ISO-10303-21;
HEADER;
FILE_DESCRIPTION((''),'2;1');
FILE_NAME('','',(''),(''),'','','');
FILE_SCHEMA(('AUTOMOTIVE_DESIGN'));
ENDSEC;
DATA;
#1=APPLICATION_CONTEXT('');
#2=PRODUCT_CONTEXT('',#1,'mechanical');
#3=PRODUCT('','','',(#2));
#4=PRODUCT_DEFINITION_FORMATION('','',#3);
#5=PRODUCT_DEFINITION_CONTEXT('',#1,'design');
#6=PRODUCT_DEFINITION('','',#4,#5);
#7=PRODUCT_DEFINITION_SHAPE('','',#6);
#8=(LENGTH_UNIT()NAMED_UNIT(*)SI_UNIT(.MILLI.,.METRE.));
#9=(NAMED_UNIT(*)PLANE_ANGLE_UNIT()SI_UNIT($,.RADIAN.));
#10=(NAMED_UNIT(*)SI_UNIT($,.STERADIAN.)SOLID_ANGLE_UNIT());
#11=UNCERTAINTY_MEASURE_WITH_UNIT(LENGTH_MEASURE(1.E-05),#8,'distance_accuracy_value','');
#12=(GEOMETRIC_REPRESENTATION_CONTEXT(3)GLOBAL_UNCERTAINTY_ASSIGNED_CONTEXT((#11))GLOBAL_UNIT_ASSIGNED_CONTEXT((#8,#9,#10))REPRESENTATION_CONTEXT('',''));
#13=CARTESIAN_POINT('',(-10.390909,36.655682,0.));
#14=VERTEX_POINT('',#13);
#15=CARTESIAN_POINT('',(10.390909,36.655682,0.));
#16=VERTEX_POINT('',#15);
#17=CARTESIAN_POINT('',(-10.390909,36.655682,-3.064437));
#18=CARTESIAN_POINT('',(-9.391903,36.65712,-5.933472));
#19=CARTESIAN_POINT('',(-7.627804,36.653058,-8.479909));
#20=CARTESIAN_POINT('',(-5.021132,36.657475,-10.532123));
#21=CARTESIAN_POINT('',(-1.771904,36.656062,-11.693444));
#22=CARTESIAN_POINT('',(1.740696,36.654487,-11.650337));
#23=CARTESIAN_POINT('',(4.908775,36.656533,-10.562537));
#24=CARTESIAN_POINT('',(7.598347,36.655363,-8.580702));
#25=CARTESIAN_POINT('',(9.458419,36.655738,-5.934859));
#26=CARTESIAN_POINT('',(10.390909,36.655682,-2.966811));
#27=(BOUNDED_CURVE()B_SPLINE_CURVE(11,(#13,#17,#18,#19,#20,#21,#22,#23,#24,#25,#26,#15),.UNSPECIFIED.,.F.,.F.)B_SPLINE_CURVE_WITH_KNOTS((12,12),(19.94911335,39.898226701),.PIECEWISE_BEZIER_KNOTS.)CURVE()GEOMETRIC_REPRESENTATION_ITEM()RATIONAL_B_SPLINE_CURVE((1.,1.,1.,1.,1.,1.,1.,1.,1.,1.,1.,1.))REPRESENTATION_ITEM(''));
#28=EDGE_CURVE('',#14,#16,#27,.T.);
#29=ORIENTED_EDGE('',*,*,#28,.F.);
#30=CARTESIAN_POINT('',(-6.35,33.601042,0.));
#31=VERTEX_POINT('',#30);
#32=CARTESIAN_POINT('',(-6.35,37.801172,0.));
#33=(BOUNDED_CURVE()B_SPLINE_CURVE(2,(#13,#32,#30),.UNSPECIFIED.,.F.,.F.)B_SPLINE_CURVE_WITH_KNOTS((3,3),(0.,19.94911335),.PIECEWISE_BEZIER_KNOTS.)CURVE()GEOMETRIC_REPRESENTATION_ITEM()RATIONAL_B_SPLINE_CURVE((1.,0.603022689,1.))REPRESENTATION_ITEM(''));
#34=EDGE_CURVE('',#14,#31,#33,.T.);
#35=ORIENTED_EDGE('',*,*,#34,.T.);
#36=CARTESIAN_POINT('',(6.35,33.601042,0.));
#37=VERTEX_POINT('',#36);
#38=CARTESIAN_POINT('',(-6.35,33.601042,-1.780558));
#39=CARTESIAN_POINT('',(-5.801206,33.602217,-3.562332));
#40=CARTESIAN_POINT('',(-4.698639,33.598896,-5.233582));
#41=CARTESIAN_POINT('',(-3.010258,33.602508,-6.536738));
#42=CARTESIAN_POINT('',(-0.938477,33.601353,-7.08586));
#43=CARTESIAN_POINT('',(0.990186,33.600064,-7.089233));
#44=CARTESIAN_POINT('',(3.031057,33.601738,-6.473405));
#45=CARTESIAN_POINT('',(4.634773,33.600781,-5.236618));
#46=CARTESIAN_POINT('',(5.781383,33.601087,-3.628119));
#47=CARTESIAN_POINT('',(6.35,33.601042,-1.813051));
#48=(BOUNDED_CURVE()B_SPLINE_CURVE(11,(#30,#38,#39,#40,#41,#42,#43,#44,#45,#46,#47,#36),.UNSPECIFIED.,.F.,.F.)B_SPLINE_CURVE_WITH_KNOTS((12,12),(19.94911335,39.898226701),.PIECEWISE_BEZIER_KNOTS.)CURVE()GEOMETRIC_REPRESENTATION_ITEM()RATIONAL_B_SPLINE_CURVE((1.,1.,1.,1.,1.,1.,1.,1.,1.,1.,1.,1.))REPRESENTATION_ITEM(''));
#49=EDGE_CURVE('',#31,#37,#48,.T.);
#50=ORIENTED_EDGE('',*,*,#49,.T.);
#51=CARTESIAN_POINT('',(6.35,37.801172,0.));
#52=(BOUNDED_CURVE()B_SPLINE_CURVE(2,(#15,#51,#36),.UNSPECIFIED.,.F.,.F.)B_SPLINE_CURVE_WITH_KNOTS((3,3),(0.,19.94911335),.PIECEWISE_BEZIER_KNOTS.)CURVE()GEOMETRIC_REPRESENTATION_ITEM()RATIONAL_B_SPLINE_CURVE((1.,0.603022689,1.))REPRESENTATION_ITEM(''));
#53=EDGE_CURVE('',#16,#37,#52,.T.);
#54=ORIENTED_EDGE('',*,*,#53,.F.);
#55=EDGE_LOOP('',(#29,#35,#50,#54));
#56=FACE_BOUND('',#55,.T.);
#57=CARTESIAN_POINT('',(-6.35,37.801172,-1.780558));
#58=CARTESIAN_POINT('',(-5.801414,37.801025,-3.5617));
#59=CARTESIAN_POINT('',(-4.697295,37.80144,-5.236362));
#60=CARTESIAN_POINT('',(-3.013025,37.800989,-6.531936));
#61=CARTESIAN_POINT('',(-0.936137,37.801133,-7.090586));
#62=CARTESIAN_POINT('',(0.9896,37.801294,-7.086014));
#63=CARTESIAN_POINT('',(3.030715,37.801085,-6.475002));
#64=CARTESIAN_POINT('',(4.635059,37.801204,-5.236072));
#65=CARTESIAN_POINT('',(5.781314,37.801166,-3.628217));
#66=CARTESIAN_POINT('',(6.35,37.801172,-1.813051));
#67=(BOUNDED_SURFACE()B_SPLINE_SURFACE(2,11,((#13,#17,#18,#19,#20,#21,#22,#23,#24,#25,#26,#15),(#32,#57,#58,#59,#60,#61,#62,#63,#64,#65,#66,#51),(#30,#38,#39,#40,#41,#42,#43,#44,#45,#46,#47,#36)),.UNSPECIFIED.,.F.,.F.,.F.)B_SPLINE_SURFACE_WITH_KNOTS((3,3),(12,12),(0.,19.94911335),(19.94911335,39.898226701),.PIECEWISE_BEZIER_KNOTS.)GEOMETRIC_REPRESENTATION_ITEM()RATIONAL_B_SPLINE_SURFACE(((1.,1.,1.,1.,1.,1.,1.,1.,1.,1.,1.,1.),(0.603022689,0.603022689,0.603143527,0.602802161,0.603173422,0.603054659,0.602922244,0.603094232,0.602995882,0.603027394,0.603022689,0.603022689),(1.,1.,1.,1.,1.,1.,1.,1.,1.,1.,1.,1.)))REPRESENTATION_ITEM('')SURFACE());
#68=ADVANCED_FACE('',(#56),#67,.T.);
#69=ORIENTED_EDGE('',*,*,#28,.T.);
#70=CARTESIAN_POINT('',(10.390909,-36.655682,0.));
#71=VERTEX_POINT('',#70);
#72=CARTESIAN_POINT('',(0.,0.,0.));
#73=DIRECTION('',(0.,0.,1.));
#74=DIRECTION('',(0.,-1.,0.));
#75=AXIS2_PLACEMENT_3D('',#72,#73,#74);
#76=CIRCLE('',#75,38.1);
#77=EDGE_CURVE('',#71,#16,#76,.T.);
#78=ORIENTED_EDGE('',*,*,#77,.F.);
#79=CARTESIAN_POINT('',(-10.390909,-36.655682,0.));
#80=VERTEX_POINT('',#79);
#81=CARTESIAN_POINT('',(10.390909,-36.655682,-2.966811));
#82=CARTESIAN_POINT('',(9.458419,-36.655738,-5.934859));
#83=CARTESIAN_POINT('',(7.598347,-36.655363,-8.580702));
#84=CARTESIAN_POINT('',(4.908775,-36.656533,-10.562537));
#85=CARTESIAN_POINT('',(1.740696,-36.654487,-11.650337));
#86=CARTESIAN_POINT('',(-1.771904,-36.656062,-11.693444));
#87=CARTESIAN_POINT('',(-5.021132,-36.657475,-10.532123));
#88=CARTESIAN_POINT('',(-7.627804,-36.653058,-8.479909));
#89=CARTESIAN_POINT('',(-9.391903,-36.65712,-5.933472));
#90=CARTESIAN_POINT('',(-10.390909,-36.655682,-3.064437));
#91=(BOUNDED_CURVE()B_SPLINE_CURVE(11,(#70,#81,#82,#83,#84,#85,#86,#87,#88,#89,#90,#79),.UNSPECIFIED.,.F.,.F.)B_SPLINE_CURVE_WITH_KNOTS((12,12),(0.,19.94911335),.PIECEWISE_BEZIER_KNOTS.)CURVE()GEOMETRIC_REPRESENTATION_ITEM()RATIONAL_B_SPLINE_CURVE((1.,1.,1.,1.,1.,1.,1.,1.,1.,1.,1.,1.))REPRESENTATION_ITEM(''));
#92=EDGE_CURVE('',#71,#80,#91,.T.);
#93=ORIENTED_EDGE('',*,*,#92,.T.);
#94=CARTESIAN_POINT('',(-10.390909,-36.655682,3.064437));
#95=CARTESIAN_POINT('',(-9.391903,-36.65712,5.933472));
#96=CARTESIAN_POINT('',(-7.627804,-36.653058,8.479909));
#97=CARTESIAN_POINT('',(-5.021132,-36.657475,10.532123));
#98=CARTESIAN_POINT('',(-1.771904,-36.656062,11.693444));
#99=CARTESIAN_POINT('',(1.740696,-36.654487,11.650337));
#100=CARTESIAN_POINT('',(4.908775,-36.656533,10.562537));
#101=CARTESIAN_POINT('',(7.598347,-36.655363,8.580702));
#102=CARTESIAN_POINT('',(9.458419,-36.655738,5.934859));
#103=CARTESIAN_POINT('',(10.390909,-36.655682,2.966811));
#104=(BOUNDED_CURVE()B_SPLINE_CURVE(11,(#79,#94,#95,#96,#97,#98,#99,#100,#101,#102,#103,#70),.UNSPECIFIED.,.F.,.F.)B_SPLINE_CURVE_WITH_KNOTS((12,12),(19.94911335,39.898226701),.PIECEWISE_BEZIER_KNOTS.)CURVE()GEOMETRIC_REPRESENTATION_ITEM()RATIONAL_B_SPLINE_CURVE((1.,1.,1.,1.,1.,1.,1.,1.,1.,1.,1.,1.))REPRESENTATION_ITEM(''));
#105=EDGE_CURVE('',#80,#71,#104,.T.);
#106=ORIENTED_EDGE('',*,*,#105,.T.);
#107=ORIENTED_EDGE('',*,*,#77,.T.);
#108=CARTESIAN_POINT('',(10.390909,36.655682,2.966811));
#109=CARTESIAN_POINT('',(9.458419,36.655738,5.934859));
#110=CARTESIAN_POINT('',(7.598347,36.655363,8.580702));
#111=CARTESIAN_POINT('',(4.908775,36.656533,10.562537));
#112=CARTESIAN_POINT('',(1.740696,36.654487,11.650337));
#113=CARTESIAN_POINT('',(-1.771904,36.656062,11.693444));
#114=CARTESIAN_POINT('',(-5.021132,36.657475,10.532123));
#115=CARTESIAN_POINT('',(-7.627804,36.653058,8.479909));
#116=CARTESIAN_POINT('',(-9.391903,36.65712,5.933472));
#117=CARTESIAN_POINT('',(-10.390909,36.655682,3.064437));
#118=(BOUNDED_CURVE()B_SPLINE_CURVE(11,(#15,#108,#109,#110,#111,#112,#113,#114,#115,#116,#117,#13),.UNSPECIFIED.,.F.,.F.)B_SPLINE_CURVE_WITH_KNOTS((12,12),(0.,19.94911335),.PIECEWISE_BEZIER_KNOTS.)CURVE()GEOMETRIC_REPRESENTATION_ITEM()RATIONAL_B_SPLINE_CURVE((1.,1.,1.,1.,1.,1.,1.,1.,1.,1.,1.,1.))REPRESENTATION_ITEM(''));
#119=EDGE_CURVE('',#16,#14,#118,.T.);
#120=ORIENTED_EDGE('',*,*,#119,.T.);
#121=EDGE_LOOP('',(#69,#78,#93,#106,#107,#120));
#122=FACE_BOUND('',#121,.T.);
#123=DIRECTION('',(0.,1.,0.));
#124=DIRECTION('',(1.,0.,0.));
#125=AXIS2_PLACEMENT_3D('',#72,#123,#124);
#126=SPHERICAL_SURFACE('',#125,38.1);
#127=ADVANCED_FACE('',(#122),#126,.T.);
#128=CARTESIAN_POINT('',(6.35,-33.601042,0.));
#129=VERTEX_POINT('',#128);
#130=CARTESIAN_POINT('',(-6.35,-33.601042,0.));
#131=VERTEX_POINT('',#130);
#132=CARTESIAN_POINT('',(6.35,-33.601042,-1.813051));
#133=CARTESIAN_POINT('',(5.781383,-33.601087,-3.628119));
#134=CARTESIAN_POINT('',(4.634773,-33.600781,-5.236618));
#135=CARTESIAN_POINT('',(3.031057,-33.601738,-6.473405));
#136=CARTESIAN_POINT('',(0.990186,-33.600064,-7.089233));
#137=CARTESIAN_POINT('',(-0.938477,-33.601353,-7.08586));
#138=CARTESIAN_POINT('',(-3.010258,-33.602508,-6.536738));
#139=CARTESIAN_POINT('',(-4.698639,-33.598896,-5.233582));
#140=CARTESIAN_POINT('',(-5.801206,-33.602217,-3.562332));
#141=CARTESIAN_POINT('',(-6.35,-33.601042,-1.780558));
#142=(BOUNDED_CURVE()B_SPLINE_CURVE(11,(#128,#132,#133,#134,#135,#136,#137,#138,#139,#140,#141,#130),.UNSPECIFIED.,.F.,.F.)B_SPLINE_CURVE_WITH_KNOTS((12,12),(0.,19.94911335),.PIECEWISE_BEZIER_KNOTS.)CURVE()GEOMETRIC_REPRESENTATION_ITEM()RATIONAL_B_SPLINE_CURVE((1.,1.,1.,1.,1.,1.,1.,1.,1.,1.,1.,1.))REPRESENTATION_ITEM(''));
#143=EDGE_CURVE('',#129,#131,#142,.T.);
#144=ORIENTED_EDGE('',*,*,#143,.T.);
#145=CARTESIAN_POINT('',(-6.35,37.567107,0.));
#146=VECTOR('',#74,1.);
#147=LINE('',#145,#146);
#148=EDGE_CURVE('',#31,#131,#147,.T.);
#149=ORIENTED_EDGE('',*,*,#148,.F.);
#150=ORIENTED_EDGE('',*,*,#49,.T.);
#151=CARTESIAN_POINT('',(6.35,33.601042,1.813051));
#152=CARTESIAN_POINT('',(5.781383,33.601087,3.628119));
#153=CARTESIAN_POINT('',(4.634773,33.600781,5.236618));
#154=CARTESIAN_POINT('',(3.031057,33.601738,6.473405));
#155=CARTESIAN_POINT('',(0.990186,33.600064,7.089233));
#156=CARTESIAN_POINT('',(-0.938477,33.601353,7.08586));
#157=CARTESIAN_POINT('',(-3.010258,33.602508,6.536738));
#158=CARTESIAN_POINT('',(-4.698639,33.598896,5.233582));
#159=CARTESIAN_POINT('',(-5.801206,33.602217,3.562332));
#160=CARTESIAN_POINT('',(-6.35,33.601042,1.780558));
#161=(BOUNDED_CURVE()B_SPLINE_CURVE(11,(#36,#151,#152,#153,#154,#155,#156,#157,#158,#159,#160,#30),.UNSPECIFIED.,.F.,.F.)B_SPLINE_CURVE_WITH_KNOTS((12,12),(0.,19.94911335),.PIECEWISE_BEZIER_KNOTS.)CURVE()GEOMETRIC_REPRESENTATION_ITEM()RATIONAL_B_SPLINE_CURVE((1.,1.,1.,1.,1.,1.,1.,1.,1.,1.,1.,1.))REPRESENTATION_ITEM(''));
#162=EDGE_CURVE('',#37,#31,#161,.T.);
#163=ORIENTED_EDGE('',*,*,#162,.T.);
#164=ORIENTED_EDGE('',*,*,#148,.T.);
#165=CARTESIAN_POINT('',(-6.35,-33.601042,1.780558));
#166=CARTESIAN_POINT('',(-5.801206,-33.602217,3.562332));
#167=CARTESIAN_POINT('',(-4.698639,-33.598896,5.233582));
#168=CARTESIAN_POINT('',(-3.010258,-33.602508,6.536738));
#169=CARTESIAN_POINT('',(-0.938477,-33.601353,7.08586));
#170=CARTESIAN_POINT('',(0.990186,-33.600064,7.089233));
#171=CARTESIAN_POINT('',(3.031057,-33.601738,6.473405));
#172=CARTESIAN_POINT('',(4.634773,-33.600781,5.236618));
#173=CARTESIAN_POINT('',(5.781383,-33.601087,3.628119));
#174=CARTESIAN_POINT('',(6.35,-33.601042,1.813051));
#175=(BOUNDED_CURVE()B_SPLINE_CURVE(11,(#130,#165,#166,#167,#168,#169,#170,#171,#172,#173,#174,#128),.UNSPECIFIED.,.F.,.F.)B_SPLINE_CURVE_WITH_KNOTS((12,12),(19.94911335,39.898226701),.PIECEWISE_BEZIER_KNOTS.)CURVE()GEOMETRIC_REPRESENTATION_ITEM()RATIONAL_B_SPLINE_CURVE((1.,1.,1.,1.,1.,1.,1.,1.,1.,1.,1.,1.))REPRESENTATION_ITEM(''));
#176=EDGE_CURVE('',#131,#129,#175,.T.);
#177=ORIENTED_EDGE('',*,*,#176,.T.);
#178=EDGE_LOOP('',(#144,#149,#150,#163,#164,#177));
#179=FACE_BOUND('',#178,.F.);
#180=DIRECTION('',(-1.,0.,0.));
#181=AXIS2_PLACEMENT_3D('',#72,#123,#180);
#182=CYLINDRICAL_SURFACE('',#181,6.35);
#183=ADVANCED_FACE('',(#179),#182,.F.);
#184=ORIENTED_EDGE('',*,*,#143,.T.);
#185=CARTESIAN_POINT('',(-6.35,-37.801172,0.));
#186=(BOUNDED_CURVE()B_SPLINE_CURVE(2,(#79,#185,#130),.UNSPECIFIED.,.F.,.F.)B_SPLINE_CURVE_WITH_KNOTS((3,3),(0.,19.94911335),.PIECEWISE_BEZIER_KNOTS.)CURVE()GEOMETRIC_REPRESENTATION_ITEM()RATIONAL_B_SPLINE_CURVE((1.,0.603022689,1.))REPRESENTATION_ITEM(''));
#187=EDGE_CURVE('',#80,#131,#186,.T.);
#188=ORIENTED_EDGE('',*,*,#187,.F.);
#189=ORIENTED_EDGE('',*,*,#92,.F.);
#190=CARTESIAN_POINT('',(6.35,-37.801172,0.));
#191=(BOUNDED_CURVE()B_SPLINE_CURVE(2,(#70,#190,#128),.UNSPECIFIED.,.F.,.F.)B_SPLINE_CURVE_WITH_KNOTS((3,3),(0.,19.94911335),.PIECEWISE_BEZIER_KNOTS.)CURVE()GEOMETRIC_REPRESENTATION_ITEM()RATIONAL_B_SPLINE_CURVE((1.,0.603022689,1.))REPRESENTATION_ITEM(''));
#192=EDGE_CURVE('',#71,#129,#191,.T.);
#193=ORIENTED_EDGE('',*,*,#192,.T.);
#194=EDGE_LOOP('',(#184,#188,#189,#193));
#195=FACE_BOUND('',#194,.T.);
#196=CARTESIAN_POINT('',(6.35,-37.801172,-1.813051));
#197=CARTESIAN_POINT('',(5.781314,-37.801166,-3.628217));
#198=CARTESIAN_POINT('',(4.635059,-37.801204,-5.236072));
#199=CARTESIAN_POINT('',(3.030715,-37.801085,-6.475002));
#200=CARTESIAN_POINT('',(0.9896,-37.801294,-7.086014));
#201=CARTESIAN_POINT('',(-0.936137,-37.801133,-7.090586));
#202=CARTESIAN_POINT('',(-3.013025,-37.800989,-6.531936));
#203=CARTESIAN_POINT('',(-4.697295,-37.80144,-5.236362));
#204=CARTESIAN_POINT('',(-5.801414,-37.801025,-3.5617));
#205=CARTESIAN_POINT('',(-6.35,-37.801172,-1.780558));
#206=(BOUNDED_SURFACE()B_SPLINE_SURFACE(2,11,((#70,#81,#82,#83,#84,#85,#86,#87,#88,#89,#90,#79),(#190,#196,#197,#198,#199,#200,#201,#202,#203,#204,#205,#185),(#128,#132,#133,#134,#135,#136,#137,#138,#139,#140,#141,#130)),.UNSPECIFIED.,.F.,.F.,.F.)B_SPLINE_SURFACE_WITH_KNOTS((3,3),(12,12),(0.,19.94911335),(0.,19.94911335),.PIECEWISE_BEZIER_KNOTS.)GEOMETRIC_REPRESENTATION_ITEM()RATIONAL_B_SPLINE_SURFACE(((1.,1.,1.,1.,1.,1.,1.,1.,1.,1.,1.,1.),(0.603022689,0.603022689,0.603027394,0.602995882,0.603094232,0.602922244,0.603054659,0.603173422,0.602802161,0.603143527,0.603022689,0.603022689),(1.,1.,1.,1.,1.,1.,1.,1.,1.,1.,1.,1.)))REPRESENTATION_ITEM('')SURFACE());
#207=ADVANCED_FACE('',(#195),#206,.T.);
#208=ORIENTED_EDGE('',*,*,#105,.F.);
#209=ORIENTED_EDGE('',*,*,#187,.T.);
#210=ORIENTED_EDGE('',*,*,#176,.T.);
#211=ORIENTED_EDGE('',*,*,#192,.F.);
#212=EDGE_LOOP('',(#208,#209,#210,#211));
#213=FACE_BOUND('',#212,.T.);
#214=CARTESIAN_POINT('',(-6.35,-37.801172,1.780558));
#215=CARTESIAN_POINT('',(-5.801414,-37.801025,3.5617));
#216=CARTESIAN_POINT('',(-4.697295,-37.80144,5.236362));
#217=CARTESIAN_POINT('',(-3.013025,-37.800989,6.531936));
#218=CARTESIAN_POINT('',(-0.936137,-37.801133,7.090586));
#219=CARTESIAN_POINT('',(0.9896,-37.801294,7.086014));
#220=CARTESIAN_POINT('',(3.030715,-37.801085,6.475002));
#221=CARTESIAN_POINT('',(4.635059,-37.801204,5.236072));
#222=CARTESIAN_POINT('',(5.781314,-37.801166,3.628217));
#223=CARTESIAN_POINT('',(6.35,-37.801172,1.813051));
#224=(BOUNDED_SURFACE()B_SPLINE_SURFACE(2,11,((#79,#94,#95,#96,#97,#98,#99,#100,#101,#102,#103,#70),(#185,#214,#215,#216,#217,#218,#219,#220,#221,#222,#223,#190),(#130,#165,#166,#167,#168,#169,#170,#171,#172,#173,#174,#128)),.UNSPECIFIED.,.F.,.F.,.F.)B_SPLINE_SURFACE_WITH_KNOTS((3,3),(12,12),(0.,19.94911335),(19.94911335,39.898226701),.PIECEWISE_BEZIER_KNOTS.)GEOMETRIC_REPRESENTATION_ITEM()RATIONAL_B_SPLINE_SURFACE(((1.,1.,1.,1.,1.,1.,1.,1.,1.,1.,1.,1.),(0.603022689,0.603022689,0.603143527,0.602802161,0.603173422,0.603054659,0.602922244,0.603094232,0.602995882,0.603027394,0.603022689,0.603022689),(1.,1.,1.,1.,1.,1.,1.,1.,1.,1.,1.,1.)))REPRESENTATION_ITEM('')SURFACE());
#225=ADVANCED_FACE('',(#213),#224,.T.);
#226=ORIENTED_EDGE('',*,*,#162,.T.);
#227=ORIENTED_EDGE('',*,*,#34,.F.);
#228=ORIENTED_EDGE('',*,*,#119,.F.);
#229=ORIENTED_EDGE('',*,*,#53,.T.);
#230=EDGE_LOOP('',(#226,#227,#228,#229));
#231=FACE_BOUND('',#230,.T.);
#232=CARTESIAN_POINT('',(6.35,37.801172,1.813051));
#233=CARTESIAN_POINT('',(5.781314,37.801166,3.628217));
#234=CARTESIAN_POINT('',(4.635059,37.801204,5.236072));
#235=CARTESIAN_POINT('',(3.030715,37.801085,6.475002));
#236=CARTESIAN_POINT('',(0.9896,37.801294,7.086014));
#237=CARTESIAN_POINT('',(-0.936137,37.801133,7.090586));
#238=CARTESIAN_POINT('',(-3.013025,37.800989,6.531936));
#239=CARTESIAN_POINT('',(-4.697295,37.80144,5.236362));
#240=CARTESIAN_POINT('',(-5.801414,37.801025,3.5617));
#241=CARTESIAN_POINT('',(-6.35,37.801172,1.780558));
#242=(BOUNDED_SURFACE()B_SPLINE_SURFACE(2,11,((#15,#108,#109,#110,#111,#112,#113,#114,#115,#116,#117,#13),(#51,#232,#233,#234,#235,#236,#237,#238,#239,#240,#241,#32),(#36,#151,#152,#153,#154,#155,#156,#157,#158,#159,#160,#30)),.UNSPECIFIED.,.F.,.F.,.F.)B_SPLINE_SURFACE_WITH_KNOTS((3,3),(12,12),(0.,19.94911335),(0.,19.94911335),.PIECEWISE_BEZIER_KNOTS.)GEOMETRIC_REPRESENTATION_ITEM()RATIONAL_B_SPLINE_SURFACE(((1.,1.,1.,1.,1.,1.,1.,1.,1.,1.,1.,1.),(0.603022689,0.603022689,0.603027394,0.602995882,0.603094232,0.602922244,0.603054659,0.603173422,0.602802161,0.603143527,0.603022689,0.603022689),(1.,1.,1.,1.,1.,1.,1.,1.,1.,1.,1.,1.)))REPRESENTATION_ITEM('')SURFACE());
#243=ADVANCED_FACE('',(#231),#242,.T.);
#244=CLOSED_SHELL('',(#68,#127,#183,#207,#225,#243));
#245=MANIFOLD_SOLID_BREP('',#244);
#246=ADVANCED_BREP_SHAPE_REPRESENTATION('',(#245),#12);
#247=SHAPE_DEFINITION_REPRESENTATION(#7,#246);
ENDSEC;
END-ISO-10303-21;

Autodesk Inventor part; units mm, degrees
ref_plane "YZ Plane" through (0, 0, 0) normal (1, 0, 0) x (0, 1, 0)
ref_plane "XZ Plane" through (0, 0, 0) normal (0, 1, 0) x (-1, 0, 0)
ref_plane "XY Plane" through (0, 0, 0) normal (0, 0, 1) x (1, 0, 0)
sketch "Sketch8" plane through (0, 0, 0) normal (0, 0, 1) x (1, 0, 0)
  arc A0 (0, -38.1) -> (0, 38.1) centre (0, 0) ccw
  line L0 (0, 38.1) -> (0, -38.1)
  line L1 (0, -53.34) -> (0, 53.34) projected
  dimension "d25" = 76.2
revolve "Revolution1" add sketch "Sketch8" angle 360 about axis through (0, -10, 0) along (0, 1, 0)
sketch "Sketch9" plane through (0, 0, 0) normal (0, 1, 0) x (-1, 0, 0)
  circle A0 centre (0, 0) radius 6.35
  dimension "d27" = 12.7
extrude "Extrusion4" cut sketch "Sketch9" along normal mid plane 76.2
fillet "Fillet1" radius 3.175 4 edges at (0, 37.5671, 6.35) (0, 37.5671, -6.35) (0, -37.5671, -6.35) (0, -37.5671, 6.35)
equation "\"d25\" = ballDiam"
equation "\"d27\" = holeDiam"
equation "\"d28\" = ballDiam"
equation "\"ballDiam\" = 76.2"
equation "\"holeDiam\" = 12.7"
properties part number "float"
